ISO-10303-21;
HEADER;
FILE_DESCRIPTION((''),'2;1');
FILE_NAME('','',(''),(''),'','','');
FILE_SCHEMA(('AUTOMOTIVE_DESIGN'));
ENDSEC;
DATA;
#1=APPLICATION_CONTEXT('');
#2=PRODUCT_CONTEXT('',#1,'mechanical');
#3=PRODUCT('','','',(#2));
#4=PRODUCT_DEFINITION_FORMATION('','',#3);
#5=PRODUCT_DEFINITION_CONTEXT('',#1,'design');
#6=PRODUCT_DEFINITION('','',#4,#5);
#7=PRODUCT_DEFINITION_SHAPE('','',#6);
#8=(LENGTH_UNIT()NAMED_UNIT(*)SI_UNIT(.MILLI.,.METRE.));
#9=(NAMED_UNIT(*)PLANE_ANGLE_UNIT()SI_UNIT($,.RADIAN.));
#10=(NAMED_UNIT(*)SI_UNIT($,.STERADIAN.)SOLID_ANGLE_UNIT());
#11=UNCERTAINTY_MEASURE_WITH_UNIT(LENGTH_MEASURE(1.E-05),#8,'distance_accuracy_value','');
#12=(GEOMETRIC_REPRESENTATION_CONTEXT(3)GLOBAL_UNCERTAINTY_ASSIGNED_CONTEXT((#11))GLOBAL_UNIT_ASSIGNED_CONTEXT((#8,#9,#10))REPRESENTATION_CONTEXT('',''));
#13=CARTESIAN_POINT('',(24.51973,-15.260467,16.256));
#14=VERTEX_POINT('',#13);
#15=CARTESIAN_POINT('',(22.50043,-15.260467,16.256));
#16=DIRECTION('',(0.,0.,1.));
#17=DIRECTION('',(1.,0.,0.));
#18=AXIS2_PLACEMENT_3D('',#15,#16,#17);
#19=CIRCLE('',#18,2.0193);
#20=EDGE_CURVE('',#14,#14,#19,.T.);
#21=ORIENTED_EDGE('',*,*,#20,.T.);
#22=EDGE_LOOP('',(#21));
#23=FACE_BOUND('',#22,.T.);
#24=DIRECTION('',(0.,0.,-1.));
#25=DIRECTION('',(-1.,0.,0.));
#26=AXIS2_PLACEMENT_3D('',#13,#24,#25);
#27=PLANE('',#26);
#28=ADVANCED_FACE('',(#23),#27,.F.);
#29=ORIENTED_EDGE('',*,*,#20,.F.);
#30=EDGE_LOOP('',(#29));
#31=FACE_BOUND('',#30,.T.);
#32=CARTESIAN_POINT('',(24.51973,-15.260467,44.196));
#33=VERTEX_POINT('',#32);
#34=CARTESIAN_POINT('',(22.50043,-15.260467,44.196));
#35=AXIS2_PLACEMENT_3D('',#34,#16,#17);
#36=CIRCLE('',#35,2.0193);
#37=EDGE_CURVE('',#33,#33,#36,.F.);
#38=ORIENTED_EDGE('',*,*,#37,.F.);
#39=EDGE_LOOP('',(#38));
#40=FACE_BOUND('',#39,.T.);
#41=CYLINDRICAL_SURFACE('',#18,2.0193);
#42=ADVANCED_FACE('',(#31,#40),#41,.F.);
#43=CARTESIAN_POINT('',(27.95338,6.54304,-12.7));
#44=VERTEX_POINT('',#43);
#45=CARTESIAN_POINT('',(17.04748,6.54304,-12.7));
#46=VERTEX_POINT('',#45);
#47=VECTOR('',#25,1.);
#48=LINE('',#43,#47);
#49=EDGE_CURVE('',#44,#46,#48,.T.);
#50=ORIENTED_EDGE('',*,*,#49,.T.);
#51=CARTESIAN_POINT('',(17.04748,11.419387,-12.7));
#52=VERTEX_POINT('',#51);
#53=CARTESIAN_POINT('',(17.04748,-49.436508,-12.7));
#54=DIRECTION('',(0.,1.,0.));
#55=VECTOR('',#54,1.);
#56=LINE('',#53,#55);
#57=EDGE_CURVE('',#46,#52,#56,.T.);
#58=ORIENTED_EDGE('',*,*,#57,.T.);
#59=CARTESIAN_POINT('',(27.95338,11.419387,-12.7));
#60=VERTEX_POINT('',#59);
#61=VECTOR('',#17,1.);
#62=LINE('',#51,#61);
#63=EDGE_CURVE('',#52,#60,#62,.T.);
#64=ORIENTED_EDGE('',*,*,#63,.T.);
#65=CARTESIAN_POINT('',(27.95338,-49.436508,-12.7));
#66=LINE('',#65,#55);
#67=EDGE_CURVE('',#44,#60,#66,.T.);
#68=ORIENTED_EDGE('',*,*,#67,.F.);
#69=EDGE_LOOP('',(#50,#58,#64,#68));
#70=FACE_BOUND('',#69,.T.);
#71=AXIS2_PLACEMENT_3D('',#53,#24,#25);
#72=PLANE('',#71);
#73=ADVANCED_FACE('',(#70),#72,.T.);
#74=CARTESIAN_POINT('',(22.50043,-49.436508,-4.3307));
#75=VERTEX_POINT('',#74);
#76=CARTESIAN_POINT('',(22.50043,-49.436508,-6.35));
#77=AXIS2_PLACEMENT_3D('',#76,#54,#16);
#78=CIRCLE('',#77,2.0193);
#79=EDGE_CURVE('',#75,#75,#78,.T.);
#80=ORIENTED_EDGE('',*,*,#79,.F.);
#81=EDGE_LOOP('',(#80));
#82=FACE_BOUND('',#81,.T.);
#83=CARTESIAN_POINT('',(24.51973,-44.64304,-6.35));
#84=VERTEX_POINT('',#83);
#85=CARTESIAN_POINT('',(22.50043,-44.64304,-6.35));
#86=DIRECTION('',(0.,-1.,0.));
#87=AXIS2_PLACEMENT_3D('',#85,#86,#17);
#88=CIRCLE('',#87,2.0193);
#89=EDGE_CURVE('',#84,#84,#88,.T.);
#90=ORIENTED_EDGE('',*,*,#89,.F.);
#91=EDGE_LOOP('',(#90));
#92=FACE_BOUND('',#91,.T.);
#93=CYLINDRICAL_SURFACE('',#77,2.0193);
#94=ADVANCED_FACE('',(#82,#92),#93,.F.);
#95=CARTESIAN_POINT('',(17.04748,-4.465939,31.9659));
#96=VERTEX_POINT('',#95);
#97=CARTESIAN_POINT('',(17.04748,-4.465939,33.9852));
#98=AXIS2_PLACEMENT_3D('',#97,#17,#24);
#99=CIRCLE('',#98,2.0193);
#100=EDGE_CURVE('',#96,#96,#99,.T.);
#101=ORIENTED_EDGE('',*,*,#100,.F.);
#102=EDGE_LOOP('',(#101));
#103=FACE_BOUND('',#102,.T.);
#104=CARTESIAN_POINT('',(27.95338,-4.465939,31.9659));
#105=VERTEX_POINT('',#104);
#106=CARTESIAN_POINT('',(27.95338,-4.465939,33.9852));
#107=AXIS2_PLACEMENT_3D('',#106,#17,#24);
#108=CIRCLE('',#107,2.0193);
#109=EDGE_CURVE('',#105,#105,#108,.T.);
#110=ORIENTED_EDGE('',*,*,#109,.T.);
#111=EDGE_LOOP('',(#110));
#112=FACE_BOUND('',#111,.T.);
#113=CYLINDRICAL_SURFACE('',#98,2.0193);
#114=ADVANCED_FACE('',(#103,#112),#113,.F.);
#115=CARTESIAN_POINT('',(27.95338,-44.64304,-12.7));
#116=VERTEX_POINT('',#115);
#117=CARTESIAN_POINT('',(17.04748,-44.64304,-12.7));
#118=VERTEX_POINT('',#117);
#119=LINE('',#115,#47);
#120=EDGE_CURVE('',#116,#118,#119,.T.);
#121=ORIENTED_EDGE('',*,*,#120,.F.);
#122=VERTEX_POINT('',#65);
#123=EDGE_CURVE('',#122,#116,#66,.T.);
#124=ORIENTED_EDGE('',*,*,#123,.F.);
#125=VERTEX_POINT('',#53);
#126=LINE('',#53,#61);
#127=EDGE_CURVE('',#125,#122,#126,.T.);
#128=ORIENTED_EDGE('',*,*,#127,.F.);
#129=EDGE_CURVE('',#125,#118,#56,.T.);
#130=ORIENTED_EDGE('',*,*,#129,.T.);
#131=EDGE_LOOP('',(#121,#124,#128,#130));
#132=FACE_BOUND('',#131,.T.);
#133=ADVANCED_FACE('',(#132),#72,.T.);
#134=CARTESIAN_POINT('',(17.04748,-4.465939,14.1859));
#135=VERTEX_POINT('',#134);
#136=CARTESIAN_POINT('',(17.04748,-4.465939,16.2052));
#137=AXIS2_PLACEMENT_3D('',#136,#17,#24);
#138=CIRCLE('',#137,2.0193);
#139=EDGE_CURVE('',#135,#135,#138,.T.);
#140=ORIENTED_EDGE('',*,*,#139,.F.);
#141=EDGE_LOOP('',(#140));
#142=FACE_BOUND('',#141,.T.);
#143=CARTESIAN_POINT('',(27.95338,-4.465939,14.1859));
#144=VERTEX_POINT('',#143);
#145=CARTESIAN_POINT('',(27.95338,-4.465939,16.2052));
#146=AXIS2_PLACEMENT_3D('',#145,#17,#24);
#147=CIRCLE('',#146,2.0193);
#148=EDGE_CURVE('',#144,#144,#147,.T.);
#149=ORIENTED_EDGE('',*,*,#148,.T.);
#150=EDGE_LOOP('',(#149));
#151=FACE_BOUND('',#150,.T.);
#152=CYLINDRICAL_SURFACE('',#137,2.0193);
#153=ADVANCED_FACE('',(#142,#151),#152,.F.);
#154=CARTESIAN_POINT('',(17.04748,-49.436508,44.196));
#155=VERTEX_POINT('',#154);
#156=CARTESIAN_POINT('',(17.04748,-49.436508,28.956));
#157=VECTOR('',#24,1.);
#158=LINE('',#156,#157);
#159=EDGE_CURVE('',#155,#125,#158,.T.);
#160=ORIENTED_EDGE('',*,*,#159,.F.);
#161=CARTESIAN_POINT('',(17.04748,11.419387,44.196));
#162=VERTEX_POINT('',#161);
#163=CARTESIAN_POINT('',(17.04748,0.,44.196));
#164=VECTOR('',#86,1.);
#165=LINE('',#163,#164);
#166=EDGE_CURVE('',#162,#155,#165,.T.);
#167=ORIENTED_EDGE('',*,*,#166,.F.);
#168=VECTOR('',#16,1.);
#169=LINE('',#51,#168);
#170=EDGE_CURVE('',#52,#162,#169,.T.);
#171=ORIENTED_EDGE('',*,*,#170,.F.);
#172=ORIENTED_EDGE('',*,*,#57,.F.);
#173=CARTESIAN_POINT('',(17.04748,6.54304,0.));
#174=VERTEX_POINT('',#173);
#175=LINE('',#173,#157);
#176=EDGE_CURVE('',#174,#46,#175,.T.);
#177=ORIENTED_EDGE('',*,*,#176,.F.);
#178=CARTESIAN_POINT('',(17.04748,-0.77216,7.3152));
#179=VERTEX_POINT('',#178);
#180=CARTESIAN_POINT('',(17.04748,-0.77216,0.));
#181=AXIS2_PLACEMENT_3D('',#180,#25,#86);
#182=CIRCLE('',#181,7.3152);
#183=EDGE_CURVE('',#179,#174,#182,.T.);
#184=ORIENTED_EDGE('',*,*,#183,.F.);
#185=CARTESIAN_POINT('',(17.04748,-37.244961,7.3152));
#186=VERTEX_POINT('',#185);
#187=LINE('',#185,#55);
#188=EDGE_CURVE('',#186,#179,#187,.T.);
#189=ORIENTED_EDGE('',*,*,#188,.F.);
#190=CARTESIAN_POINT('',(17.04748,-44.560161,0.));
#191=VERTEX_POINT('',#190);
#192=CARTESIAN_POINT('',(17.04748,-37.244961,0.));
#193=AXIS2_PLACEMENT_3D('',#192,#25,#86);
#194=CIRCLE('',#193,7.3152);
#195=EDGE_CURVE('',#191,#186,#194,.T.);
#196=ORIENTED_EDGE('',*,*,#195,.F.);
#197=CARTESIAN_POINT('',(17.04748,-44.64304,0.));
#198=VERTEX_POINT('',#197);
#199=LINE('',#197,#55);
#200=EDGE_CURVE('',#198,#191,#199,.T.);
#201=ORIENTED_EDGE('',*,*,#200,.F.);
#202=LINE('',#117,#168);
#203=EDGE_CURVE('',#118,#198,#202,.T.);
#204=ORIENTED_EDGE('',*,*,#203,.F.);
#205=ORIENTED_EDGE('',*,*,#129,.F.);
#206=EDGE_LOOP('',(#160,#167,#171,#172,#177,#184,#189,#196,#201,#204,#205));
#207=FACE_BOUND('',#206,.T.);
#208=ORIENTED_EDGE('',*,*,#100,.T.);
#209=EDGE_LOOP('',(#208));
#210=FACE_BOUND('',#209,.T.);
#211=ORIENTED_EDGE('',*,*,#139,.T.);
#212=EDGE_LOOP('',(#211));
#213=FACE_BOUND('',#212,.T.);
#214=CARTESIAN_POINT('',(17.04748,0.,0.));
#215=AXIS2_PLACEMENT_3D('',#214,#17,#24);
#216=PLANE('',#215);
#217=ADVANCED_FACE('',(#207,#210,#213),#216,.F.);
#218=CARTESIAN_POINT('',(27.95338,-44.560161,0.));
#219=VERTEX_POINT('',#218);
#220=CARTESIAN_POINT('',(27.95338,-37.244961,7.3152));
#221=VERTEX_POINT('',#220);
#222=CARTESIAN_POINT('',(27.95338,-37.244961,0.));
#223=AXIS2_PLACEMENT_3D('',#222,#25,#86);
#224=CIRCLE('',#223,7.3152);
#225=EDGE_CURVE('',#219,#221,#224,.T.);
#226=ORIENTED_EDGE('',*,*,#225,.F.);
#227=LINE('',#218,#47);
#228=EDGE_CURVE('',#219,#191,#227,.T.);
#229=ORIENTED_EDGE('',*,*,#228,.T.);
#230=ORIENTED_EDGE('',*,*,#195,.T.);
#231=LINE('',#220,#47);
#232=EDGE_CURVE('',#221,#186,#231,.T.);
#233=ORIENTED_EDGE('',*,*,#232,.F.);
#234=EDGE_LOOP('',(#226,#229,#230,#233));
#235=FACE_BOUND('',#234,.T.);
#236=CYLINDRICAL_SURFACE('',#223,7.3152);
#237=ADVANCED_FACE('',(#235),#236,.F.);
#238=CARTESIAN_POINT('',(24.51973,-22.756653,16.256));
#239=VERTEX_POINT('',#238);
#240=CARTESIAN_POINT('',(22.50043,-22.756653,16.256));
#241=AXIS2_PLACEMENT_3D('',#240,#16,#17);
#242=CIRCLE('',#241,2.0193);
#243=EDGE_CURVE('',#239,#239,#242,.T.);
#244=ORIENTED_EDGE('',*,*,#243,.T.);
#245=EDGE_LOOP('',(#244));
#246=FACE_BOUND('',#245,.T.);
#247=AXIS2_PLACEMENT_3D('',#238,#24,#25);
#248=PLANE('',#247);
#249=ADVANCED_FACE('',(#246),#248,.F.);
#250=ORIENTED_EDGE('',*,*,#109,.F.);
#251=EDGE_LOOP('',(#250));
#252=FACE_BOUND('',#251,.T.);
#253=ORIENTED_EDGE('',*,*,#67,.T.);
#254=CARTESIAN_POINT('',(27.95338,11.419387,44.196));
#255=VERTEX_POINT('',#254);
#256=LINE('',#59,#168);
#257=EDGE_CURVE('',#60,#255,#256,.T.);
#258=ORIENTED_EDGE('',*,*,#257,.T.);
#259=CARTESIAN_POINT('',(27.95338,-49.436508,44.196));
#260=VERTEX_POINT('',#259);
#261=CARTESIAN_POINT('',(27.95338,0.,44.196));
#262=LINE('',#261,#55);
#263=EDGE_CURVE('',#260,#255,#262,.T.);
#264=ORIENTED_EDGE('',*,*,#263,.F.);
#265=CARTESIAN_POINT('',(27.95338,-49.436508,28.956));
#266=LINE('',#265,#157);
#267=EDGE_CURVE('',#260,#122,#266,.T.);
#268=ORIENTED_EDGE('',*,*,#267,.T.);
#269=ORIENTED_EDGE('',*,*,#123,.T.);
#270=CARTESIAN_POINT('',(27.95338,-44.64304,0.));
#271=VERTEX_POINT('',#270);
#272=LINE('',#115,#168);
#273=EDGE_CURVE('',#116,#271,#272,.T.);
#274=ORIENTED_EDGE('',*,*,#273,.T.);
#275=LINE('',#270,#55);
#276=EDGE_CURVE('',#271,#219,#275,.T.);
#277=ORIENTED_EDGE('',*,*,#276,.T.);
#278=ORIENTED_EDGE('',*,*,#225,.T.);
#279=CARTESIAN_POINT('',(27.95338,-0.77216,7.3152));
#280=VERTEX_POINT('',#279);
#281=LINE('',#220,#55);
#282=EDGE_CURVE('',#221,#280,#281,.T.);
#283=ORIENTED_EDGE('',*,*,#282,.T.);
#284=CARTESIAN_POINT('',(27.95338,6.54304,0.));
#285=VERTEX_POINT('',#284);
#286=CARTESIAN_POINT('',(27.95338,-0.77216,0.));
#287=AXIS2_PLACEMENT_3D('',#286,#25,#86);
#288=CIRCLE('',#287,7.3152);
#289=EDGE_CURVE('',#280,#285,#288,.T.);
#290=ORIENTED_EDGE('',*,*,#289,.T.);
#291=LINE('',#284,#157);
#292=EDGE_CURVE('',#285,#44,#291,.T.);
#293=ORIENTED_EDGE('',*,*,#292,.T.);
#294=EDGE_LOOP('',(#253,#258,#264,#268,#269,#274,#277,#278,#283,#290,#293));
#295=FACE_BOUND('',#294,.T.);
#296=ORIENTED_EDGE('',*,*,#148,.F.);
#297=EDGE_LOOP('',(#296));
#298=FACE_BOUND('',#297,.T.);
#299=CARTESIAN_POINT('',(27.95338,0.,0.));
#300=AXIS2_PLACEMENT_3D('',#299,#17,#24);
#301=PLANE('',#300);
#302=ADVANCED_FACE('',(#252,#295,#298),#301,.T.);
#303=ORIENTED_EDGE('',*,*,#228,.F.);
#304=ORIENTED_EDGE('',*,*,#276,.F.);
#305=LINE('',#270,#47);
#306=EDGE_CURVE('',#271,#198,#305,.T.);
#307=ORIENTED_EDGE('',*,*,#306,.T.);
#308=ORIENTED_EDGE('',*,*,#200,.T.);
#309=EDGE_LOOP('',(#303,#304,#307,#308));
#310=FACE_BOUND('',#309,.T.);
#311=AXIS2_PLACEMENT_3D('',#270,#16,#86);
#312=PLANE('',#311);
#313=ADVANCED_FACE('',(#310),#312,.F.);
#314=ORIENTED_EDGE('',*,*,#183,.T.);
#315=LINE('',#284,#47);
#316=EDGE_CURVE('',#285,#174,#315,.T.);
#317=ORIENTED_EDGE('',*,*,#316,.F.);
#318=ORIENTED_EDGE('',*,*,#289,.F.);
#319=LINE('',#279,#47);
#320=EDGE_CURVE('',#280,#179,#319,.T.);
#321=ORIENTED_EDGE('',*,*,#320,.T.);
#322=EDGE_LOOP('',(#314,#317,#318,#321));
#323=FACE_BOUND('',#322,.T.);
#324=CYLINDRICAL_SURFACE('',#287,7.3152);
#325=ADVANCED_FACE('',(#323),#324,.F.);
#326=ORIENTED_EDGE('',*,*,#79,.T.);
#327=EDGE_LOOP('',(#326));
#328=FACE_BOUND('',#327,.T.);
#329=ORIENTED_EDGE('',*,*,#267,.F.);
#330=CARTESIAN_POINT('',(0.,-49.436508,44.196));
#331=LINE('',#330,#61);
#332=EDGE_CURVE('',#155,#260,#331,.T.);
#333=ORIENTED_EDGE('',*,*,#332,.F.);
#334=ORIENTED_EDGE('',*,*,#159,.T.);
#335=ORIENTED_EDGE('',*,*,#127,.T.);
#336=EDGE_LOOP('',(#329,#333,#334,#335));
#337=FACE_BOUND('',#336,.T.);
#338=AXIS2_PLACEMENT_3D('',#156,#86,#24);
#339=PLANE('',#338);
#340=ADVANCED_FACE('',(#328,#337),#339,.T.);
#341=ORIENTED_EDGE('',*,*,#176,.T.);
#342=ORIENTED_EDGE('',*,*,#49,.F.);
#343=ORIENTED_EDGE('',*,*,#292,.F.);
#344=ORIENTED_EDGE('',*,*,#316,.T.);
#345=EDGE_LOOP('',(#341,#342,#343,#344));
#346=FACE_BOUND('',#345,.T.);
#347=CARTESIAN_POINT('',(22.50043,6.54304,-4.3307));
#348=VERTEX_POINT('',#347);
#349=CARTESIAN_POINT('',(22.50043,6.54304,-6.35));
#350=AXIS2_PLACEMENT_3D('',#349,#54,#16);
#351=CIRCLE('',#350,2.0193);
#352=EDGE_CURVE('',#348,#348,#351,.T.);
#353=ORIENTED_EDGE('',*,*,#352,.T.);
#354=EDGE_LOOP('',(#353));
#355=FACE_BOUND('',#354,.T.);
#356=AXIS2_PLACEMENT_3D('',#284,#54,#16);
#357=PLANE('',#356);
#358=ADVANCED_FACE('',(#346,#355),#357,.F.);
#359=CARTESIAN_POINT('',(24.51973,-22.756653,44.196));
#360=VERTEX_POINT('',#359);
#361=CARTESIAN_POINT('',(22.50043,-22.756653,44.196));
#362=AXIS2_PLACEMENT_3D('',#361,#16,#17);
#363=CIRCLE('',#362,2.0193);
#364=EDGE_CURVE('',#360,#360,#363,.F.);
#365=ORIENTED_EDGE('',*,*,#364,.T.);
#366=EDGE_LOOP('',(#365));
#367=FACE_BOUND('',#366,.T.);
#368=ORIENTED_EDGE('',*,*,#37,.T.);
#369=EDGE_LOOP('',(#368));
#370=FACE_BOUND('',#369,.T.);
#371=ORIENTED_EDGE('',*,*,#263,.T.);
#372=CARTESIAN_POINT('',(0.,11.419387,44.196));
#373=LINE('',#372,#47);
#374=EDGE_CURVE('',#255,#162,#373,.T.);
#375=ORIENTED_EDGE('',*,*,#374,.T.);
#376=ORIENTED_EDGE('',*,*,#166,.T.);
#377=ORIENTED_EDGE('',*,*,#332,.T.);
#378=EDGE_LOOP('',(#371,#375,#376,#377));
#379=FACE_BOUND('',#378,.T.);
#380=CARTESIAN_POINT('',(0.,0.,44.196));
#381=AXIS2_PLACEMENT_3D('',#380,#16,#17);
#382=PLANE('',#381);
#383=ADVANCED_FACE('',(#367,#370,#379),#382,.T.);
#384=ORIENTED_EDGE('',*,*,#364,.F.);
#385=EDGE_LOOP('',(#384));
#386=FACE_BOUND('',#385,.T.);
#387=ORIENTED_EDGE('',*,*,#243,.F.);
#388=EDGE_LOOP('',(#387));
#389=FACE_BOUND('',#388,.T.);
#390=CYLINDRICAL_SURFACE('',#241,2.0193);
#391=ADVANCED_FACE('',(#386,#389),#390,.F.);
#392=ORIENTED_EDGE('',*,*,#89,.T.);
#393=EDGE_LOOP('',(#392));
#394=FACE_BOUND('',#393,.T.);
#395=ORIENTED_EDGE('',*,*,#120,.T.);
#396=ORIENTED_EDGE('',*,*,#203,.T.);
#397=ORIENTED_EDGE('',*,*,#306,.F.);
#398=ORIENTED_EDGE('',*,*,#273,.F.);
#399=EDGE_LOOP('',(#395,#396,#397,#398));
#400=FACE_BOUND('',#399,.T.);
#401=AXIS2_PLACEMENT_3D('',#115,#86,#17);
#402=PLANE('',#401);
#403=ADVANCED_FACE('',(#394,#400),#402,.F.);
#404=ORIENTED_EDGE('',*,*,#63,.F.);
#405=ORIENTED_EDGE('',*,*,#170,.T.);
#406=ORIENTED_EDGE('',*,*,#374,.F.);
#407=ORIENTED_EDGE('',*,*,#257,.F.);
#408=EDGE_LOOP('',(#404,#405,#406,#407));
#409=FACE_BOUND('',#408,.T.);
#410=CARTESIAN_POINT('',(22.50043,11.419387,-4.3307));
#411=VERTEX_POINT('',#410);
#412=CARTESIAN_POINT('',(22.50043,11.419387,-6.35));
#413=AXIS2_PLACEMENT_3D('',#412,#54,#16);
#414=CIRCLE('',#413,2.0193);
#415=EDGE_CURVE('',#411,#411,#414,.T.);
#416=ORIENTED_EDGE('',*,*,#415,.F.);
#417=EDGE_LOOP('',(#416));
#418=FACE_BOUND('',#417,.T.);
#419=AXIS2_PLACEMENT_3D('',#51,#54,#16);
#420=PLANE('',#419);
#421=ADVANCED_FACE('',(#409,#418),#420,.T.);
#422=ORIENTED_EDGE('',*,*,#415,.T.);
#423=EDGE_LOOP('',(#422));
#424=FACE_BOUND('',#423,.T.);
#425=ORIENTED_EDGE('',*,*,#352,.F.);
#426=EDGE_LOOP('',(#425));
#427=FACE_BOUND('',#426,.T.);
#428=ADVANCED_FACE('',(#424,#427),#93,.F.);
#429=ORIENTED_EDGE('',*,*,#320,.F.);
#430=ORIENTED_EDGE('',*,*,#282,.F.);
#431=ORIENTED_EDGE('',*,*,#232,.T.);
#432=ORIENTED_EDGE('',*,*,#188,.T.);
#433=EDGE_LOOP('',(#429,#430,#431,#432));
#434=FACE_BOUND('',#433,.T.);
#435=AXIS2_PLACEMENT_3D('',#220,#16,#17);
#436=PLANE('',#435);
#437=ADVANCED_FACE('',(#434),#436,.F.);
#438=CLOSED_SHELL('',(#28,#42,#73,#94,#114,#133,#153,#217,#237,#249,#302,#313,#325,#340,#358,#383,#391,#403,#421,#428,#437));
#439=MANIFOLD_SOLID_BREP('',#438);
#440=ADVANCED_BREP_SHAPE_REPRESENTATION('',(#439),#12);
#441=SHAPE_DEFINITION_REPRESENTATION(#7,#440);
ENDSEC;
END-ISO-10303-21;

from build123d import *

# Parameters (mm, degrees)
SKETCH1_W           = 41.656
SKETCH1_H           = 60.855895471
BOSS_EXTRUDE1_DEPTH = 10.905899582
CUT_EXTRUDE1_DEPTH  = 59.321153171
SKETCH5_W           = 2.0193
SKETCH5_H           = 60.855895471
SKETCH6_W           = 2.0193
SKETCH6_H           = 12.7
SKETCH7_W           = 2.0193
SKETCH7_H           = 12.7
SKETCH8_W           = 10.905899582
SKETCH8_H           = 60.855895471
SKETCH8_R           = 2.0193
BOSS_EXTRUDE2_DEPTH = 15.24
SKETCH9_R           = 2.0193
CUT_EXTRUDE2_DEPTH  = 68.202629317


with BuildPart() as part:
    # Sketch1 → Boss-Extrude1 (new body)
    with BuildSketch(Plane(origin=(27.95338, 0, 0), x_dir=(0, 0, -1), z_dir=(1, 0, 0))):
        with Locations((-8.128, -19.008560287)):
            Rectangle(SKETCH1_W, SKETCH1_H)
    extrude(amount=-BOSS_EXTRUDE1_DEPTH)

    # Sketch2 → Cut-Extrude1 (cut, through all)
    with BuildSketch(Plane.ZY.offset(-17.047480418)):
        with BuildLine():
            Line((-12.7, 6.54304), (-12.7, -44.64304))
            Line((-12.7, -44.64304), (0, -44.64304))
            Line((0, -44.64304), (0, -44.560160575))
            ThreePointArc((0, -44.560160575), (5.172627526, -42.4175881), (7.3152, -37.244960575))
            Line((7.3152, -37.244960575), (7.3152, -0.77216))
            ThreePointArc((7.3152, -0.77216), (5.172627526, 4.400467526), (0, 6.54304))
            Line((0, 6.54304), (-12.7, 6.54304))
        make_face()
    extrude(amount=-CUT_EXTRUDE1_DEPTH, mode=Mode.SUBTRACT)

    # Sketch5 → Cut-Revolve3 (revolve, cut)
    with BuildSketch(Plane(origin=(0, 0, -6.35), x_dir=(-1, 0, 0), z_dir=(0, 0, -1)), mode=Mode.PRIVATE) as cut_revolve3_sk:
        with Locations((-23.510080209, -19.008560287)):
            Rectangle(SKETCH5_W, SKETCH5_H)
    revolve(cut_revolve3_sk.sketch.rotate(Axis((22.500430209, -49.436508023, -6.35), (0, 1, 0)), 270), axis=Axis((22.500430209, -49.436508023, -6.35), (0, 1, 0)), mode=Mode.SUBTRACT)

    # Sketch6 → Cut-Revolve4 (revolve, cut)
    with BuildSketch(Plane(origin=(0, -22.756653096, 0), x_dir=(1, 0, 0), z_dir=(0, 1, 0))):
        with Locations((23.510080209, -22.606)):
            Rectangle(SKETCH6_W, SKETCH6_H)
    revolve(axis=Axis((22.500430209, -22.756653096, 16.256), (0, 0, 1)), mode=Mode.SUBTRACT)

    # Sketch7 → Cut-Revolve5 (revolve, cut)
    with BuildSketch(Plane(origin=(0, -15.260467479, 0), x_dir=(1, 0, 0), z_dir=(0, 1, 0))):
        with Locations((23.510080209, -22.606)):
            Rectangle(SKETCH7_W, SKETCH7_H)
    revolve(axis=Axis((22.500430209, -15.260467479, 16.256), (0, 0, 1)), mode=Mode.SUBTRACT)

    # Sketch8 → Boss-Extrude2 (add)
    with BuildSketch(Plane.XY.offset(28.956)):
        with Locations((22.500430209, -19.008560287)):
            Rectangle(SKETCH8_W, SKETCH8_H)
        with Locations((22.500430209, -22.756653096)):
            Circle(SKETCH8_R, mode=Mode.SUBTRACT)
        with Locations((22.500430209, -15.260467479)):
            Circle(SKETCH8_R, mode=Mode.SUBTRACT)
    extrude(amount=BOSS_EXTRUDE2_DEPTH)

    # Sketch9 → Cut-Extrude2 (cut, through all)
    with BuildSketch(Plane(origin=(27.95338, 0, 0), x_dir=(0, 0, -1), z_dir=(1, 0, 0))):
        with Locations((-33.9852, -4.465939121)):
            Circle(SKETCH9_R)
        with Locations((-16.2052, -4.465939121)):
            Circle(SKETCH9_R)
    extrude(amount=-CUT_EXTRUDE2_DEPTH, mode=Mode.SUBTRACT)


solid = part.part
